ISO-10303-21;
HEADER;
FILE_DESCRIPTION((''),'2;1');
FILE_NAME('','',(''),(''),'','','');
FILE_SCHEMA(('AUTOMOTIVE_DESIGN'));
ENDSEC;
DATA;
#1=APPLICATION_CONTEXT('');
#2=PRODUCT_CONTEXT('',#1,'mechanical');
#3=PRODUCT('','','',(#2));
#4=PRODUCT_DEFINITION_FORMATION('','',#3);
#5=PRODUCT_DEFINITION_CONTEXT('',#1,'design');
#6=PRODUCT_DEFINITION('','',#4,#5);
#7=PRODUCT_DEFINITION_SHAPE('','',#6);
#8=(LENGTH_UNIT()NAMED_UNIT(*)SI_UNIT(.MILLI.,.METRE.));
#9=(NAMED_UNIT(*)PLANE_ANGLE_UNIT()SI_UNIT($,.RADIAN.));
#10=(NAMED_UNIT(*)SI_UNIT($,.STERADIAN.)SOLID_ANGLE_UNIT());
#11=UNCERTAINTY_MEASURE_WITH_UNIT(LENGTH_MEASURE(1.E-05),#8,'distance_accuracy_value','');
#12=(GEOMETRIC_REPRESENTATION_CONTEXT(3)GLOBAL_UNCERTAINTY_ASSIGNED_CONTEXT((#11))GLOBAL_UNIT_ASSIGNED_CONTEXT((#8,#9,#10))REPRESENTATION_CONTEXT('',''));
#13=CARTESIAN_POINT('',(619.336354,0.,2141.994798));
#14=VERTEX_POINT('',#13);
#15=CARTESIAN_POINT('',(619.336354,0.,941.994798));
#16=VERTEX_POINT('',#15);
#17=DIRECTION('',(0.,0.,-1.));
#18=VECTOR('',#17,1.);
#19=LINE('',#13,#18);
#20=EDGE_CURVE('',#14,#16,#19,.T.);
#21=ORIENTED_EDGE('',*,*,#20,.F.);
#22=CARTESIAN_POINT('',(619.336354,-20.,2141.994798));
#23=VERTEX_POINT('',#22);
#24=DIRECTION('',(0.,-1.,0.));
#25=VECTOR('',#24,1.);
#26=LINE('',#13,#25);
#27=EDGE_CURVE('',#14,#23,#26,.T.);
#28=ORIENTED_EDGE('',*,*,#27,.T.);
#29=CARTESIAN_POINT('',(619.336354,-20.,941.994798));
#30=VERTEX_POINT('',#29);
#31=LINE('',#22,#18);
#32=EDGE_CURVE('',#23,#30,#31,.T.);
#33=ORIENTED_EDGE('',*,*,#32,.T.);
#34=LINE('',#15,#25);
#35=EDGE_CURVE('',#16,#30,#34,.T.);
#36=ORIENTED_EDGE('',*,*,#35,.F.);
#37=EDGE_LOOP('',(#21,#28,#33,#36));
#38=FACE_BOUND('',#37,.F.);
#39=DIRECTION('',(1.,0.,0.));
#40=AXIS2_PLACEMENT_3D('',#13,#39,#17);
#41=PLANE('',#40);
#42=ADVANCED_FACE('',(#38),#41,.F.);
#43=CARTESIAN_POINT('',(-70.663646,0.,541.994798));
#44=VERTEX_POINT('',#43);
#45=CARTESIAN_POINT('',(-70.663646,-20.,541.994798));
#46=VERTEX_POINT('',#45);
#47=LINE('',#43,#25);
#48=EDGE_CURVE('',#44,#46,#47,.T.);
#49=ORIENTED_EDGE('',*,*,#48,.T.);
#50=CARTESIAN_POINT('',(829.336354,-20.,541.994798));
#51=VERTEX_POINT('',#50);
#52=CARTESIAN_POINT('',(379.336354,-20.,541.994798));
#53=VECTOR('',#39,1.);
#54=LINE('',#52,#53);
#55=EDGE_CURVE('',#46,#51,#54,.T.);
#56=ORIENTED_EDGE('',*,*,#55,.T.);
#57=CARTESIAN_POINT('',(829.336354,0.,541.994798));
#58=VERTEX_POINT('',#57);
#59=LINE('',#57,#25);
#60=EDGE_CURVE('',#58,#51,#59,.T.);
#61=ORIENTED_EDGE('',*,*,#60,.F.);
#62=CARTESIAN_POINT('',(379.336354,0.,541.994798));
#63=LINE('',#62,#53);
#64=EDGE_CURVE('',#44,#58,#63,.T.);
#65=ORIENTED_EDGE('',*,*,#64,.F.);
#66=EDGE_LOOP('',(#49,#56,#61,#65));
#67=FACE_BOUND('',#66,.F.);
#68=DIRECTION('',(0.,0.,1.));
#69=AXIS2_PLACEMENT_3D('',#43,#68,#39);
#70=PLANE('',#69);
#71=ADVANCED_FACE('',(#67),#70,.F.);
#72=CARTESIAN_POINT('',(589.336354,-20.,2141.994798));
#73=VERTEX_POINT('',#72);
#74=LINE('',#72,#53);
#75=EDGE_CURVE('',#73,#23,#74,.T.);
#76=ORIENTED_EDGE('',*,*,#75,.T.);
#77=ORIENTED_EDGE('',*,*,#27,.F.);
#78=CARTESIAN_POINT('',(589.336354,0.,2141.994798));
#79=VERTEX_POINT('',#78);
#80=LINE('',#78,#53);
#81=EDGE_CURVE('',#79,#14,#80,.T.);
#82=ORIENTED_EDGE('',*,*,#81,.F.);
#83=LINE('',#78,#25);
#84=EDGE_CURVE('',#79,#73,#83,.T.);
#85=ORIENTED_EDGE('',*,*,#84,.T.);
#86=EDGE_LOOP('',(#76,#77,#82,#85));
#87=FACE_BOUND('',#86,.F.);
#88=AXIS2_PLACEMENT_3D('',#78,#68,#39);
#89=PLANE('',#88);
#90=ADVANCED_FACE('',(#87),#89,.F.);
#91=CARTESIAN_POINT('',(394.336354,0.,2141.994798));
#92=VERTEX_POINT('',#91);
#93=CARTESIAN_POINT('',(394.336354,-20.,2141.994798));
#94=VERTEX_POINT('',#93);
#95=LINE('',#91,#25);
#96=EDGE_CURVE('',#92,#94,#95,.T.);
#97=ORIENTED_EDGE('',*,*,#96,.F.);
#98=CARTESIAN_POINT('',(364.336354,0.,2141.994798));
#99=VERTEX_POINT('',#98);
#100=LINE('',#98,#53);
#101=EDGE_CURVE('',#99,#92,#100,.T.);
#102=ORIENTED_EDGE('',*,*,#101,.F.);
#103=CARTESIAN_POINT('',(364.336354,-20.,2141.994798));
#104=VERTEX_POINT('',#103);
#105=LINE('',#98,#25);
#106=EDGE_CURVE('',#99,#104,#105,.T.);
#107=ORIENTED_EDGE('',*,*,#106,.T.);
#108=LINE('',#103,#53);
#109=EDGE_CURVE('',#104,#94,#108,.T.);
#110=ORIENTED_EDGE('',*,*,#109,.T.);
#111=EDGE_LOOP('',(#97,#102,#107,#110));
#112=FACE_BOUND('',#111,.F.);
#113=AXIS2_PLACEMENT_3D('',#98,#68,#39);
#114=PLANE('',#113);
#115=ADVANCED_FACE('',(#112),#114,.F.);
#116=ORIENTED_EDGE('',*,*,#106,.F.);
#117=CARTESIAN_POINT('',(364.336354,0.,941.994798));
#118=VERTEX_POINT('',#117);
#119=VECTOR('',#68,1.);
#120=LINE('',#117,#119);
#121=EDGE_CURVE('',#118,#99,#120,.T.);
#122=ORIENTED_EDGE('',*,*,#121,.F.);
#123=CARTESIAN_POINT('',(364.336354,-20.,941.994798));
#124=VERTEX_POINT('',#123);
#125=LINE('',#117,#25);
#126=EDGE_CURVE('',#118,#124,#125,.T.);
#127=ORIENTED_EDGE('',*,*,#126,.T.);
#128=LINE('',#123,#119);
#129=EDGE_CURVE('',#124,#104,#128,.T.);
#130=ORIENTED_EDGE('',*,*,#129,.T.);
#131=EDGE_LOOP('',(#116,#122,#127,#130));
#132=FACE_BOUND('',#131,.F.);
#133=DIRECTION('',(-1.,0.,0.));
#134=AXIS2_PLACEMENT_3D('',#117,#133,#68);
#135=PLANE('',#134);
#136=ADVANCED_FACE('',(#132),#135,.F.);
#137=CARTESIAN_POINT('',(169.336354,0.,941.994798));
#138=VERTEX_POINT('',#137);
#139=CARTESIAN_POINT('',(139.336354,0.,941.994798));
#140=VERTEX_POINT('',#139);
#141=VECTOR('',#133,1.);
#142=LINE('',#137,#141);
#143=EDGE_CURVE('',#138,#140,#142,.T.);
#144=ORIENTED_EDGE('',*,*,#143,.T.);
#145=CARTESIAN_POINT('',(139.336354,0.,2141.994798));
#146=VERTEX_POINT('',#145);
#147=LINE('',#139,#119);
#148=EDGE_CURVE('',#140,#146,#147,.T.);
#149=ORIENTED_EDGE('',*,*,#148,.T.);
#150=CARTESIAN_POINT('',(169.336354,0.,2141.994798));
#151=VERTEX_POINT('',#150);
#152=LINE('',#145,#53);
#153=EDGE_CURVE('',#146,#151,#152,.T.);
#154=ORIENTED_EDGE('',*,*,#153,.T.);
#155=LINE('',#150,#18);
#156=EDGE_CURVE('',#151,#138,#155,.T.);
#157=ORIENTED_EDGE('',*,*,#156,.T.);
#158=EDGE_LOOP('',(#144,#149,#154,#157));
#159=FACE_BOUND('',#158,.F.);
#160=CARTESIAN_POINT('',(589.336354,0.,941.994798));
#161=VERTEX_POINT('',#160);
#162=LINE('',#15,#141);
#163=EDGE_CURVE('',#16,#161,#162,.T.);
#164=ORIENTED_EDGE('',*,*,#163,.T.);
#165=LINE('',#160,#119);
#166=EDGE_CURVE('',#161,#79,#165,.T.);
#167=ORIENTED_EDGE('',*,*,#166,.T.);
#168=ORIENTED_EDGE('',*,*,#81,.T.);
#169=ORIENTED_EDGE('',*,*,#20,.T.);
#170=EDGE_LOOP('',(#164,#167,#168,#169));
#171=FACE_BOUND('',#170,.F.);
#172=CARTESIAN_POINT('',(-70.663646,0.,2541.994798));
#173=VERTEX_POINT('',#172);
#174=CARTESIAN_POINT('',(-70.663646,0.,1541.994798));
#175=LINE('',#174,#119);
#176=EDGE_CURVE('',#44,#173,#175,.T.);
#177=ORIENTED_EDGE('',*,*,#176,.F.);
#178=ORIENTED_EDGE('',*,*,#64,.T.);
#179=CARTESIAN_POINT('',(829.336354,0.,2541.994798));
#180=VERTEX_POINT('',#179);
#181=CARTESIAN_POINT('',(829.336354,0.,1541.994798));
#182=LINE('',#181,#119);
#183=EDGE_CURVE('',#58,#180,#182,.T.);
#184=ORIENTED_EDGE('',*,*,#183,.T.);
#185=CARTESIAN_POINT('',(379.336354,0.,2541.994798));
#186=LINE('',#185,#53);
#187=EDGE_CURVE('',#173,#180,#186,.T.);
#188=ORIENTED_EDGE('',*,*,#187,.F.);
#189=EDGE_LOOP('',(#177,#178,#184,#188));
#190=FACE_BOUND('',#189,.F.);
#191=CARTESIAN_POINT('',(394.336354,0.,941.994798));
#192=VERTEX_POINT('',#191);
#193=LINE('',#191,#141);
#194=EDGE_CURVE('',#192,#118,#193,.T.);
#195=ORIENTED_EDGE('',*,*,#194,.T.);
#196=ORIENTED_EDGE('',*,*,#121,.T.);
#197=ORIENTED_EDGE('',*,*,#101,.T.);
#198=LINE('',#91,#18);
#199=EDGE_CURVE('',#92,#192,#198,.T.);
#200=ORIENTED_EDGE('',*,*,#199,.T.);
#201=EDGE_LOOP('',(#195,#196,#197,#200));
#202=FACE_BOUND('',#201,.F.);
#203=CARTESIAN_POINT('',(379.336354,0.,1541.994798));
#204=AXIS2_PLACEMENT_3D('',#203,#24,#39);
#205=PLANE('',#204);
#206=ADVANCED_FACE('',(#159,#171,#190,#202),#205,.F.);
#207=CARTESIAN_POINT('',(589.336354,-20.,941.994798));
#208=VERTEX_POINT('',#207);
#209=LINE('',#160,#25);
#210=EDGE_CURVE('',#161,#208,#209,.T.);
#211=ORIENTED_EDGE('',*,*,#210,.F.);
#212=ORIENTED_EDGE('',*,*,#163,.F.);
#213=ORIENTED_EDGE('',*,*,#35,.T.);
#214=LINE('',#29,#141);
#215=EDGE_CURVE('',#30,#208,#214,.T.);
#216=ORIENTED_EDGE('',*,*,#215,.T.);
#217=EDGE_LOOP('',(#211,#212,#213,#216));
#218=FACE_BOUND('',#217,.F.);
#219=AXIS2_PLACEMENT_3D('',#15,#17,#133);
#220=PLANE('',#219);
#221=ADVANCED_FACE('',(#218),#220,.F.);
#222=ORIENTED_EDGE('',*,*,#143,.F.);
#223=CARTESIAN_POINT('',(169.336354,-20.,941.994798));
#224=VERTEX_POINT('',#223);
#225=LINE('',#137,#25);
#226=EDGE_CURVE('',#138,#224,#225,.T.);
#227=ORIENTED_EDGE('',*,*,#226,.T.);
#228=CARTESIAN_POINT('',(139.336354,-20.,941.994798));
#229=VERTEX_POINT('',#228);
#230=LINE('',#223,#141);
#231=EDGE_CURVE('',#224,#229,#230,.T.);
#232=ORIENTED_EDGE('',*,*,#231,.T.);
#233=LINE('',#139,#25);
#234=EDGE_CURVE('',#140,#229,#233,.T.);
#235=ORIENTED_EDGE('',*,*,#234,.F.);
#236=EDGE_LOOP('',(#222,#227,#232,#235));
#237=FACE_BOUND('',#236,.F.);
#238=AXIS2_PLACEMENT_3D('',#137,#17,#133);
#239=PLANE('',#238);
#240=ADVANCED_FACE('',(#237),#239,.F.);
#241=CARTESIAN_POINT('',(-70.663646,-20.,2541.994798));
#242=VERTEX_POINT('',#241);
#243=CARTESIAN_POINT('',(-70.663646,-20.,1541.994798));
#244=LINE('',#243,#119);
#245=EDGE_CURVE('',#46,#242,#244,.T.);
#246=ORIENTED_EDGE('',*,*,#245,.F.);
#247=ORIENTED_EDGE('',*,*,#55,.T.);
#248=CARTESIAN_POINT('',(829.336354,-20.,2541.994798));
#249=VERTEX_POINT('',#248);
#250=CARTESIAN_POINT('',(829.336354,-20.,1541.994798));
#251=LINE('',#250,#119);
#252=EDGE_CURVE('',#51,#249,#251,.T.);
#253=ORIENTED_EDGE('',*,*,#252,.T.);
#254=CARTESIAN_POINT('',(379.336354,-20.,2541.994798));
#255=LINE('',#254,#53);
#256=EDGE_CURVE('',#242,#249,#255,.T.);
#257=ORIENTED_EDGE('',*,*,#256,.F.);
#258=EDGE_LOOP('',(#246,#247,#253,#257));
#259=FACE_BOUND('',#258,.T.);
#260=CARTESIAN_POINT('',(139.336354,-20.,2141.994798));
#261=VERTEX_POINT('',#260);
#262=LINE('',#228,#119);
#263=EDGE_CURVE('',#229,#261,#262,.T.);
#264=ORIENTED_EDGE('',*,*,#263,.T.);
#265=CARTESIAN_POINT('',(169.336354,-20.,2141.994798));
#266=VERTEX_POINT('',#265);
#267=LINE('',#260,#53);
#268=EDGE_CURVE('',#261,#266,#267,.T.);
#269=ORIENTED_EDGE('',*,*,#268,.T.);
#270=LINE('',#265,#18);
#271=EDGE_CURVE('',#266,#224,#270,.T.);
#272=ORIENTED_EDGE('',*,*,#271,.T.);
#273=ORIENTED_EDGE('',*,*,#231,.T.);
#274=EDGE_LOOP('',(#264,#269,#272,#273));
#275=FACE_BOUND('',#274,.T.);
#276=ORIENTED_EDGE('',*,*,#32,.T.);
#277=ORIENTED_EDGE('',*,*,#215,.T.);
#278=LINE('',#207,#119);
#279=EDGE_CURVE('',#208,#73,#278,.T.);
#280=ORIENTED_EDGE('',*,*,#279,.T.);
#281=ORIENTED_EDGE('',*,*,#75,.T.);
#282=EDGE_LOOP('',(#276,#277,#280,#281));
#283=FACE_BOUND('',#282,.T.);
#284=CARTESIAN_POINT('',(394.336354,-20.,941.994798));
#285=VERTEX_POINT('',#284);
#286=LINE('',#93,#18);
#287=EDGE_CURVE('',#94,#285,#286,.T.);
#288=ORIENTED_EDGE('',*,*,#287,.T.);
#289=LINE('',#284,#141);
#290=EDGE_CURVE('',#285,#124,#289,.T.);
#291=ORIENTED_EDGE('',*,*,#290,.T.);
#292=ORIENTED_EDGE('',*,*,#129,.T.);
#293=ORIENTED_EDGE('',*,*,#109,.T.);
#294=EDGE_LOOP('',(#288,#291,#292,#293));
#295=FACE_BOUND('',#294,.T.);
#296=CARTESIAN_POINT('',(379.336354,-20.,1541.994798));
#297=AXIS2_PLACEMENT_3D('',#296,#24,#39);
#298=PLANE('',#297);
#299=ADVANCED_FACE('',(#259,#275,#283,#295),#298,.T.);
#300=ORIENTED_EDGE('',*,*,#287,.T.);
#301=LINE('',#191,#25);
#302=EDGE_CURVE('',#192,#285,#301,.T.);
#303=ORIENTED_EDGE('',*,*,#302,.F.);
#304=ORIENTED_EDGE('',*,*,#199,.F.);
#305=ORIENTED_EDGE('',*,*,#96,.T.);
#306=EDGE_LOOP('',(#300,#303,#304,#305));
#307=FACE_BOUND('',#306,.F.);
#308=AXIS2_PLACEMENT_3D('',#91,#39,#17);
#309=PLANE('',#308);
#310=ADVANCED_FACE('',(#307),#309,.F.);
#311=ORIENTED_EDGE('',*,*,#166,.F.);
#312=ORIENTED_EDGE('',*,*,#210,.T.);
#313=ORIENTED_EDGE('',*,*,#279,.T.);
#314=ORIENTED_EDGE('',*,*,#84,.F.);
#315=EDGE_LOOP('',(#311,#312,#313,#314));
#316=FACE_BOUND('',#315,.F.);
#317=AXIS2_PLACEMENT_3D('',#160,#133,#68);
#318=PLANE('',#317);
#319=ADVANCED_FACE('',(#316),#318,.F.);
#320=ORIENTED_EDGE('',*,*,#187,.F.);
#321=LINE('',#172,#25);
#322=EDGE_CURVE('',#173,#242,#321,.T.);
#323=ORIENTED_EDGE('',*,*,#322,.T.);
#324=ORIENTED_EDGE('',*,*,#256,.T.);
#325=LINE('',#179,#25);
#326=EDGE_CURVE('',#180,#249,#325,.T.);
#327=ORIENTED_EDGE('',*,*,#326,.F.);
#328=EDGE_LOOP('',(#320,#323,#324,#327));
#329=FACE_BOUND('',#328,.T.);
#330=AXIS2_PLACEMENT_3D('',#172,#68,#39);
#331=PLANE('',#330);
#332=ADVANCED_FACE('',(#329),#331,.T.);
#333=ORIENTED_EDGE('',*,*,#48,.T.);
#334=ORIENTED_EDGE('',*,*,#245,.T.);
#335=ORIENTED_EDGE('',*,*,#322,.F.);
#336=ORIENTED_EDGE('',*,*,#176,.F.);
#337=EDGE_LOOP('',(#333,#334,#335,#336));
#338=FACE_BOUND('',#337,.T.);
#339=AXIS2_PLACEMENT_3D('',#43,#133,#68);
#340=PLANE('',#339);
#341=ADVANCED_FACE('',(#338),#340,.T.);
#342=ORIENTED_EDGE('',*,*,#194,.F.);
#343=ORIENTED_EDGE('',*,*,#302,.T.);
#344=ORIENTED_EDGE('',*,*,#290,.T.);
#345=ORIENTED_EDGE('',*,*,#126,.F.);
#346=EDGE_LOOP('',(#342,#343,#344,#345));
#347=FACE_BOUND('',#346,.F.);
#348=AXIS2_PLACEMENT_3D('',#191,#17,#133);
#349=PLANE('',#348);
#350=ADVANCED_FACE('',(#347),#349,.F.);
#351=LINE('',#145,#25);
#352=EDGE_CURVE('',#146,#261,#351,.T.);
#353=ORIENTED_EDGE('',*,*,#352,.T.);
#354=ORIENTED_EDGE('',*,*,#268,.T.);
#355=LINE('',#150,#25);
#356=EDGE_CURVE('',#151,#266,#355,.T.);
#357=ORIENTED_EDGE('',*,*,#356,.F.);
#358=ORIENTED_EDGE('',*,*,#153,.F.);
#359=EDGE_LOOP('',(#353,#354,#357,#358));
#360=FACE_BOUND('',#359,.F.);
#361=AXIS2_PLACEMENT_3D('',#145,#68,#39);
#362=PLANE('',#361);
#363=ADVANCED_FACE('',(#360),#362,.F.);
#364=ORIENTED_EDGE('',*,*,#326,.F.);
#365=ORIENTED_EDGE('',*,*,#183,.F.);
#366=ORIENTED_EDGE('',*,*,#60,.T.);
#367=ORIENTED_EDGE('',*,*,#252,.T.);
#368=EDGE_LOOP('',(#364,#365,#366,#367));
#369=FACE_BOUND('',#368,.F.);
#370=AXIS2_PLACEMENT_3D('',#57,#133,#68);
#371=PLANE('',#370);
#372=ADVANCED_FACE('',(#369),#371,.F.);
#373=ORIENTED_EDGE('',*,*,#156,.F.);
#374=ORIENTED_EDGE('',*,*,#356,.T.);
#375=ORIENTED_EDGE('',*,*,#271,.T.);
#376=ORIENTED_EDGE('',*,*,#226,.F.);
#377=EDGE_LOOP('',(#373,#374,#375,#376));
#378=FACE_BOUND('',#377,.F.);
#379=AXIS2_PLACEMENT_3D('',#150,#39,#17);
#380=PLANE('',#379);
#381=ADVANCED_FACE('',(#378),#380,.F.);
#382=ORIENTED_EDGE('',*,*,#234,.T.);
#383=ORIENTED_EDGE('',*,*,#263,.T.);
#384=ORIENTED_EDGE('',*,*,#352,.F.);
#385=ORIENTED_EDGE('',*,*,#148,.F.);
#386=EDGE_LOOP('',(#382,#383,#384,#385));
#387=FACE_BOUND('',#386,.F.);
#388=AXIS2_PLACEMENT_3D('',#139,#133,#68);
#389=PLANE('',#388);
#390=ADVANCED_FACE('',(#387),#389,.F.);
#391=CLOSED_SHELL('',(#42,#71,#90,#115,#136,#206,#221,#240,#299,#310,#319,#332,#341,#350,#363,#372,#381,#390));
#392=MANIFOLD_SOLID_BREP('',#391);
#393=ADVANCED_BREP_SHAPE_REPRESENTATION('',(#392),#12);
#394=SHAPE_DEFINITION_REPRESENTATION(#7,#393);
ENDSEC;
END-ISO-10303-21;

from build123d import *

# Parameters (mm, degrees)
F0_W     = 900
F0_H     = 2000
F1_DEPTH = 20


with BuildPart() as f1:
    # F0 (on Front) → F1 (new body)
    with BuildSketch(Plane.XZ):
        with Locations((379.336354, 1541.994798)):
            Rectangle(F0_W, F0_H)
        Polygon((139.336354, 2141.994798), (154.336354, 2141.994798), (169.336354, 2141.994798), (169.336354, 941.994798), (139.336354, 941.994798), align=None, mode=Mode.SUBTRACT)
        Polygon((364.336354, 1841.994798), (364.336354, 2141.994798), (379.336354, 2141.994798), (394.336354, 2141.994798), (394.336354, 1341.994798), (394.336354, 941.994798), (364.336354, 941.994798), align=None, mode=Mode.SUBTRACT)
        Polygon((619.336354, 2141.994798), (619.336354, 1341.994798), (619.336354, 1041.994798), (619.336354, 941.994798), (589.336354, 941.994798), (589.336354, 1341.994798), (589.336354, 2141.994798), align=None, mode=Mode.SUBTRACT)
    extrude(amount=F1_DEPTH)


solid = f1.part
